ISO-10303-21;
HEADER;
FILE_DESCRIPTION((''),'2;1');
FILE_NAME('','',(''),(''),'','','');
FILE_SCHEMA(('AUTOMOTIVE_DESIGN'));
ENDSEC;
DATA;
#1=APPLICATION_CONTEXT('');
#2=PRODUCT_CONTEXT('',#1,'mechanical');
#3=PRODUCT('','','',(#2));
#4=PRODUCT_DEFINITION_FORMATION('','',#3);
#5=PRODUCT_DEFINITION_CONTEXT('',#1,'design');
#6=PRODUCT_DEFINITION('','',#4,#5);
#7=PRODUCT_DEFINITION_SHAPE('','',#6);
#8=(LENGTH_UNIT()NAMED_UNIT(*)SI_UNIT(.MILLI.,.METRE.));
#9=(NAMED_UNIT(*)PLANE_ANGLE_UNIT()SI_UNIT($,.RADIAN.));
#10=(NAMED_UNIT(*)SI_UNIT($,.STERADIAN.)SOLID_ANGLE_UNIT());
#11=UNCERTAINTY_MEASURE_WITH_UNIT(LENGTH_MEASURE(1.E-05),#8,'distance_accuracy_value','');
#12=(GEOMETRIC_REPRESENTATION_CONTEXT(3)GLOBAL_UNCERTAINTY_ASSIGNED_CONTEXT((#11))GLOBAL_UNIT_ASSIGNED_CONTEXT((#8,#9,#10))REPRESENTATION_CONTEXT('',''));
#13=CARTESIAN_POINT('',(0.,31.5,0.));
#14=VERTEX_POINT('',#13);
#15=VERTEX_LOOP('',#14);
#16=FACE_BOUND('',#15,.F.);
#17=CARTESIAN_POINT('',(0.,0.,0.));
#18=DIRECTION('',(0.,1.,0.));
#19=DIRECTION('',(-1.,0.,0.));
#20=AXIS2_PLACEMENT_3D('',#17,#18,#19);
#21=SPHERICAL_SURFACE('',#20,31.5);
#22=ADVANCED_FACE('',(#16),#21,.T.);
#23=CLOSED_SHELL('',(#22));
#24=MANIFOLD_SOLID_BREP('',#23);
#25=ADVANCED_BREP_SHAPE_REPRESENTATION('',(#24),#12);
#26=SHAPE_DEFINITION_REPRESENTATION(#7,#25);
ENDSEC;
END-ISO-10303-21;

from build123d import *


with BuildPart() as part:
    # Sketch1 → Revolve1 (revolve)
    with BuildSketch(Plane.XY):
        with BuildLine():
            Line((0, 31.5), (0, -31.5))
            ThreePointArc((0, -31.5), (-31.5, 0), (0, 31.5))
        make_face()
    revolve(axis=Axis((0, 31.5, 0), (0, -1, 0)))


solid = part.part
